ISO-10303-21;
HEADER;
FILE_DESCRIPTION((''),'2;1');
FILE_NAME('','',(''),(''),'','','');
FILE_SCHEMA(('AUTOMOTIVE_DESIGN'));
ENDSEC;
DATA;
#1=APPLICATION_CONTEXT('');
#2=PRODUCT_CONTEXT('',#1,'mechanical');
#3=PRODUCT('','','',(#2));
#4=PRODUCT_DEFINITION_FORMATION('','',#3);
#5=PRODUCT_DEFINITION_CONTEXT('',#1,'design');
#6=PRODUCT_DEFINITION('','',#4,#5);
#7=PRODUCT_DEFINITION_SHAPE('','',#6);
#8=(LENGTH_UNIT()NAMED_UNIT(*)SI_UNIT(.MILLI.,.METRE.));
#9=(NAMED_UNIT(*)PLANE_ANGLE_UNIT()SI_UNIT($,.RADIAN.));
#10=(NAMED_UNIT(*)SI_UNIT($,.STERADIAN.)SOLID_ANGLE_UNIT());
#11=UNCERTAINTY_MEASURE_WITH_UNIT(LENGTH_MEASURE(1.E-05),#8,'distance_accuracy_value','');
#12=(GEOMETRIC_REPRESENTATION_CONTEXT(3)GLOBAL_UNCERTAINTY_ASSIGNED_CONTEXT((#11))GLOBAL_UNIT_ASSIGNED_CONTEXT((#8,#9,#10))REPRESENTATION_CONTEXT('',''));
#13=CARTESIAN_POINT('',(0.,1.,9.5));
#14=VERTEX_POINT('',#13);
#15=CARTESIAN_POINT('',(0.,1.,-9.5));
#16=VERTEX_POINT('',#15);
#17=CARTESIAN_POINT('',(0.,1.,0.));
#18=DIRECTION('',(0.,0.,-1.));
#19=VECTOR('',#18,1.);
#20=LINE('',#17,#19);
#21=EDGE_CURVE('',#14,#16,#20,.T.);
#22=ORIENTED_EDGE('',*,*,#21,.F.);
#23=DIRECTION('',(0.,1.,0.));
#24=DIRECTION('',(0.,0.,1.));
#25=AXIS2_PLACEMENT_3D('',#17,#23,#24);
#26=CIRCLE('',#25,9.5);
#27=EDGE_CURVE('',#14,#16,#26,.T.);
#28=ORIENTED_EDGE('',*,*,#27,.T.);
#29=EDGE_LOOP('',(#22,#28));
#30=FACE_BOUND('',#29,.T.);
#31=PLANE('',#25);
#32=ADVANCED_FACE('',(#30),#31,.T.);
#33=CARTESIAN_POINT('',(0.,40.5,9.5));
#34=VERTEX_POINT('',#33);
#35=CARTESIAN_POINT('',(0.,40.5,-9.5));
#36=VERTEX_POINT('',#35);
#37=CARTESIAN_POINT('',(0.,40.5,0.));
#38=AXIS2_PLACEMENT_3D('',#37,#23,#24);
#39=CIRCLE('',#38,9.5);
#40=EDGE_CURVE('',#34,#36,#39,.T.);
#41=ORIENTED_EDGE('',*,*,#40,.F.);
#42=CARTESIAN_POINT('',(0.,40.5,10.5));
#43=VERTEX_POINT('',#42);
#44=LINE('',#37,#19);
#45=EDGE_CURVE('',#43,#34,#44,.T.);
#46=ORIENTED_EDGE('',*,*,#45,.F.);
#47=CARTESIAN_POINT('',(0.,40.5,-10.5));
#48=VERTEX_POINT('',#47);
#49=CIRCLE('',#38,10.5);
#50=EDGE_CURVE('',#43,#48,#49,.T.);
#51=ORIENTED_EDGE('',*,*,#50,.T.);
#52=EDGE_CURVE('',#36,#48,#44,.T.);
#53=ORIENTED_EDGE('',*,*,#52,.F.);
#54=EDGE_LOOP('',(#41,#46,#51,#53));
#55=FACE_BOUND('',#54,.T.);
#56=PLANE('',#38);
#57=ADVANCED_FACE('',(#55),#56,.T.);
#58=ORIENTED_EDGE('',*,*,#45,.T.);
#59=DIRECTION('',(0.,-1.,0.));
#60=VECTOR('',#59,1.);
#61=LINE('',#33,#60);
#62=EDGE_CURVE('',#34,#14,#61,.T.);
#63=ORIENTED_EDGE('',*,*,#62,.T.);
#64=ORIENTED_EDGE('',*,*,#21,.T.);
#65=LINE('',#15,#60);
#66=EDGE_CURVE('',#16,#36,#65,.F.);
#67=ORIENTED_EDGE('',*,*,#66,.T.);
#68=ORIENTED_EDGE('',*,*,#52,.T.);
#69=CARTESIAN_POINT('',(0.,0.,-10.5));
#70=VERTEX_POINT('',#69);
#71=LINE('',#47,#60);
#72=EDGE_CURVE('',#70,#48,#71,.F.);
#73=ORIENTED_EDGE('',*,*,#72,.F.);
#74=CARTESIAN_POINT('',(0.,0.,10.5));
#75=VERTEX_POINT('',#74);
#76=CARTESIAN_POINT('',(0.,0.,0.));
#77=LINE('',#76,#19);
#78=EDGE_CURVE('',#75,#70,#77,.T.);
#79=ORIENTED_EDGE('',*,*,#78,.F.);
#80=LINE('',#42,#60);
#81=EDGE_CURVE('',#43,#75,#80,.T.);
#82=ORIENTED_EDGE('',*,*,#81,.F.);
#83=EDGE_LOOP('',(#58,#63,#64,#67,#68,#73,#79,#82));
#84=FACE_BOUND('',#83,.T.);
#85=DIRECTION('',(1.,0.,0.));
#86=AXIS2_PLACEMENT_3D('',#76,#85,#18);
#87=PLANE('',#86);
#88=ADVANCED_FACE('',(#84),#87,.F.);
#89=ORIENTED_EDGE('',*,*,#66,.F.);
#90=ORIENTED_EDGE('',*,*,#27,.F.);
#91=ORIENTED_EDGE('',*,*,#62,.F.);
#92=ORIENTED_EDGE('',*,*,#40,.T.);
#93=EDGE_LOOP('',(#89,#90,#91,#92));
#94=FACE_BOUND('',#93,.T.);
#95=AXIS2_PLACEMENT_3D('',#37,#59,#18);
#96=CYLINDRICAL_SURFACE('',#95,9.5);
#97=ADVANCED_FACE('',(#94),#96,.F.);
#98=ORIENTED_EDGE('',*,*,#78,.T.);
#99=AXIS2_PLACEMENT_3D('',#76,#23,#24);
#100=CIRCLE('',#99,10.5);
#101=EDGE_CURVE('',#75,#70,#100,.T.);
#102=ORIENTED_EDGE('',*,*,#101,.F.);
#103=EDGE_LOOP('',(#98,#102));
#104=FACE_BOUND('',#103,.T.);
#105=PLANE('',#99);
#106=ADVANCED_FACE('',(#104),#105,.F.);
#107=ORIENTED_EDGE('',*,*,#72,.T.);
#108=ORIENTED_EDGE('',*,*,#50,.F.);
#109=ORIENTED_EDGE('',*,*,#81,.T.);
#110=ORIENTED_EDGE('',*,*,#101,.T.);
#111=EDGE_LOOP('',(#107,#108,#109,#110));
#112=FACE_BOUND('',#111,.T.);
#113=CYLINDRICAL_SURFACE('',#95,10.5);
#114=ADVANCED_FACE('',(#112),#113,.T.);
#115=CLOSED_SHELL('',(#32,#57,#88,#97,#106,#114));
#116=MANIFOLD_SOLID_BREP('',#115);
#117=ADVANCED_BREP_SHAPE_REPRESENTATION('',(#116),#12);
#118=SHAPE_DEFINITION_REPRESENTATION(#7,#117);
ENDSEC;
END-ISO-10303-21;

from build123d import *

# Parameters (mm, degrees)
SKETCH1_R           = 10.5
BOSS_EXTRUDE1_DEPTH = 40.5
SKETCH2_W           = 41.275373403
SKETCH2_H           = 50.56233242
CUT_EXTRUDE1_DEPTH  = 40.5
SHELL3_T            = -1


with BuildPart() as part:
    # Sketch1 → Boss-Extrude1 (new body)
    with BuildSketch(Plane(origin=(0, 0, 0), x_dir=(1, 0, 0), z_dir=(0, 1, 0))):
        with Locations(Location((0, 0, 0), (0, 0, 270))):
            Circle(SKETCH1_R)
    extrude(amount=BOSS_EXTRUDE1_DEPTH)

    # Sketch2 → Cut-Extrude1 (cut)
    with BuildSketch(Plane(origin=(0, 0, 0), x_dir=(0, 0, -1), z_dir=(1, 0, 0))):
        with Locations((2.800828909, 23.566771077)):
            Rectangle(SKETCH2_W, SKETCH2_H)
    extrude(amount=-CUT_EXTRUDE1_DEPTH, mode=Mode.SUBTRACT)

    # Shell3
    shell3_openings = [part.faces().sort_by_distance(p)[0] for p in [
        (4.456338407, 40.5, 0),
        (0, 20.25, 0),
    ]]
    offset(amount=SHELL3_T, openings=shell3_openings)


solid = part.part
